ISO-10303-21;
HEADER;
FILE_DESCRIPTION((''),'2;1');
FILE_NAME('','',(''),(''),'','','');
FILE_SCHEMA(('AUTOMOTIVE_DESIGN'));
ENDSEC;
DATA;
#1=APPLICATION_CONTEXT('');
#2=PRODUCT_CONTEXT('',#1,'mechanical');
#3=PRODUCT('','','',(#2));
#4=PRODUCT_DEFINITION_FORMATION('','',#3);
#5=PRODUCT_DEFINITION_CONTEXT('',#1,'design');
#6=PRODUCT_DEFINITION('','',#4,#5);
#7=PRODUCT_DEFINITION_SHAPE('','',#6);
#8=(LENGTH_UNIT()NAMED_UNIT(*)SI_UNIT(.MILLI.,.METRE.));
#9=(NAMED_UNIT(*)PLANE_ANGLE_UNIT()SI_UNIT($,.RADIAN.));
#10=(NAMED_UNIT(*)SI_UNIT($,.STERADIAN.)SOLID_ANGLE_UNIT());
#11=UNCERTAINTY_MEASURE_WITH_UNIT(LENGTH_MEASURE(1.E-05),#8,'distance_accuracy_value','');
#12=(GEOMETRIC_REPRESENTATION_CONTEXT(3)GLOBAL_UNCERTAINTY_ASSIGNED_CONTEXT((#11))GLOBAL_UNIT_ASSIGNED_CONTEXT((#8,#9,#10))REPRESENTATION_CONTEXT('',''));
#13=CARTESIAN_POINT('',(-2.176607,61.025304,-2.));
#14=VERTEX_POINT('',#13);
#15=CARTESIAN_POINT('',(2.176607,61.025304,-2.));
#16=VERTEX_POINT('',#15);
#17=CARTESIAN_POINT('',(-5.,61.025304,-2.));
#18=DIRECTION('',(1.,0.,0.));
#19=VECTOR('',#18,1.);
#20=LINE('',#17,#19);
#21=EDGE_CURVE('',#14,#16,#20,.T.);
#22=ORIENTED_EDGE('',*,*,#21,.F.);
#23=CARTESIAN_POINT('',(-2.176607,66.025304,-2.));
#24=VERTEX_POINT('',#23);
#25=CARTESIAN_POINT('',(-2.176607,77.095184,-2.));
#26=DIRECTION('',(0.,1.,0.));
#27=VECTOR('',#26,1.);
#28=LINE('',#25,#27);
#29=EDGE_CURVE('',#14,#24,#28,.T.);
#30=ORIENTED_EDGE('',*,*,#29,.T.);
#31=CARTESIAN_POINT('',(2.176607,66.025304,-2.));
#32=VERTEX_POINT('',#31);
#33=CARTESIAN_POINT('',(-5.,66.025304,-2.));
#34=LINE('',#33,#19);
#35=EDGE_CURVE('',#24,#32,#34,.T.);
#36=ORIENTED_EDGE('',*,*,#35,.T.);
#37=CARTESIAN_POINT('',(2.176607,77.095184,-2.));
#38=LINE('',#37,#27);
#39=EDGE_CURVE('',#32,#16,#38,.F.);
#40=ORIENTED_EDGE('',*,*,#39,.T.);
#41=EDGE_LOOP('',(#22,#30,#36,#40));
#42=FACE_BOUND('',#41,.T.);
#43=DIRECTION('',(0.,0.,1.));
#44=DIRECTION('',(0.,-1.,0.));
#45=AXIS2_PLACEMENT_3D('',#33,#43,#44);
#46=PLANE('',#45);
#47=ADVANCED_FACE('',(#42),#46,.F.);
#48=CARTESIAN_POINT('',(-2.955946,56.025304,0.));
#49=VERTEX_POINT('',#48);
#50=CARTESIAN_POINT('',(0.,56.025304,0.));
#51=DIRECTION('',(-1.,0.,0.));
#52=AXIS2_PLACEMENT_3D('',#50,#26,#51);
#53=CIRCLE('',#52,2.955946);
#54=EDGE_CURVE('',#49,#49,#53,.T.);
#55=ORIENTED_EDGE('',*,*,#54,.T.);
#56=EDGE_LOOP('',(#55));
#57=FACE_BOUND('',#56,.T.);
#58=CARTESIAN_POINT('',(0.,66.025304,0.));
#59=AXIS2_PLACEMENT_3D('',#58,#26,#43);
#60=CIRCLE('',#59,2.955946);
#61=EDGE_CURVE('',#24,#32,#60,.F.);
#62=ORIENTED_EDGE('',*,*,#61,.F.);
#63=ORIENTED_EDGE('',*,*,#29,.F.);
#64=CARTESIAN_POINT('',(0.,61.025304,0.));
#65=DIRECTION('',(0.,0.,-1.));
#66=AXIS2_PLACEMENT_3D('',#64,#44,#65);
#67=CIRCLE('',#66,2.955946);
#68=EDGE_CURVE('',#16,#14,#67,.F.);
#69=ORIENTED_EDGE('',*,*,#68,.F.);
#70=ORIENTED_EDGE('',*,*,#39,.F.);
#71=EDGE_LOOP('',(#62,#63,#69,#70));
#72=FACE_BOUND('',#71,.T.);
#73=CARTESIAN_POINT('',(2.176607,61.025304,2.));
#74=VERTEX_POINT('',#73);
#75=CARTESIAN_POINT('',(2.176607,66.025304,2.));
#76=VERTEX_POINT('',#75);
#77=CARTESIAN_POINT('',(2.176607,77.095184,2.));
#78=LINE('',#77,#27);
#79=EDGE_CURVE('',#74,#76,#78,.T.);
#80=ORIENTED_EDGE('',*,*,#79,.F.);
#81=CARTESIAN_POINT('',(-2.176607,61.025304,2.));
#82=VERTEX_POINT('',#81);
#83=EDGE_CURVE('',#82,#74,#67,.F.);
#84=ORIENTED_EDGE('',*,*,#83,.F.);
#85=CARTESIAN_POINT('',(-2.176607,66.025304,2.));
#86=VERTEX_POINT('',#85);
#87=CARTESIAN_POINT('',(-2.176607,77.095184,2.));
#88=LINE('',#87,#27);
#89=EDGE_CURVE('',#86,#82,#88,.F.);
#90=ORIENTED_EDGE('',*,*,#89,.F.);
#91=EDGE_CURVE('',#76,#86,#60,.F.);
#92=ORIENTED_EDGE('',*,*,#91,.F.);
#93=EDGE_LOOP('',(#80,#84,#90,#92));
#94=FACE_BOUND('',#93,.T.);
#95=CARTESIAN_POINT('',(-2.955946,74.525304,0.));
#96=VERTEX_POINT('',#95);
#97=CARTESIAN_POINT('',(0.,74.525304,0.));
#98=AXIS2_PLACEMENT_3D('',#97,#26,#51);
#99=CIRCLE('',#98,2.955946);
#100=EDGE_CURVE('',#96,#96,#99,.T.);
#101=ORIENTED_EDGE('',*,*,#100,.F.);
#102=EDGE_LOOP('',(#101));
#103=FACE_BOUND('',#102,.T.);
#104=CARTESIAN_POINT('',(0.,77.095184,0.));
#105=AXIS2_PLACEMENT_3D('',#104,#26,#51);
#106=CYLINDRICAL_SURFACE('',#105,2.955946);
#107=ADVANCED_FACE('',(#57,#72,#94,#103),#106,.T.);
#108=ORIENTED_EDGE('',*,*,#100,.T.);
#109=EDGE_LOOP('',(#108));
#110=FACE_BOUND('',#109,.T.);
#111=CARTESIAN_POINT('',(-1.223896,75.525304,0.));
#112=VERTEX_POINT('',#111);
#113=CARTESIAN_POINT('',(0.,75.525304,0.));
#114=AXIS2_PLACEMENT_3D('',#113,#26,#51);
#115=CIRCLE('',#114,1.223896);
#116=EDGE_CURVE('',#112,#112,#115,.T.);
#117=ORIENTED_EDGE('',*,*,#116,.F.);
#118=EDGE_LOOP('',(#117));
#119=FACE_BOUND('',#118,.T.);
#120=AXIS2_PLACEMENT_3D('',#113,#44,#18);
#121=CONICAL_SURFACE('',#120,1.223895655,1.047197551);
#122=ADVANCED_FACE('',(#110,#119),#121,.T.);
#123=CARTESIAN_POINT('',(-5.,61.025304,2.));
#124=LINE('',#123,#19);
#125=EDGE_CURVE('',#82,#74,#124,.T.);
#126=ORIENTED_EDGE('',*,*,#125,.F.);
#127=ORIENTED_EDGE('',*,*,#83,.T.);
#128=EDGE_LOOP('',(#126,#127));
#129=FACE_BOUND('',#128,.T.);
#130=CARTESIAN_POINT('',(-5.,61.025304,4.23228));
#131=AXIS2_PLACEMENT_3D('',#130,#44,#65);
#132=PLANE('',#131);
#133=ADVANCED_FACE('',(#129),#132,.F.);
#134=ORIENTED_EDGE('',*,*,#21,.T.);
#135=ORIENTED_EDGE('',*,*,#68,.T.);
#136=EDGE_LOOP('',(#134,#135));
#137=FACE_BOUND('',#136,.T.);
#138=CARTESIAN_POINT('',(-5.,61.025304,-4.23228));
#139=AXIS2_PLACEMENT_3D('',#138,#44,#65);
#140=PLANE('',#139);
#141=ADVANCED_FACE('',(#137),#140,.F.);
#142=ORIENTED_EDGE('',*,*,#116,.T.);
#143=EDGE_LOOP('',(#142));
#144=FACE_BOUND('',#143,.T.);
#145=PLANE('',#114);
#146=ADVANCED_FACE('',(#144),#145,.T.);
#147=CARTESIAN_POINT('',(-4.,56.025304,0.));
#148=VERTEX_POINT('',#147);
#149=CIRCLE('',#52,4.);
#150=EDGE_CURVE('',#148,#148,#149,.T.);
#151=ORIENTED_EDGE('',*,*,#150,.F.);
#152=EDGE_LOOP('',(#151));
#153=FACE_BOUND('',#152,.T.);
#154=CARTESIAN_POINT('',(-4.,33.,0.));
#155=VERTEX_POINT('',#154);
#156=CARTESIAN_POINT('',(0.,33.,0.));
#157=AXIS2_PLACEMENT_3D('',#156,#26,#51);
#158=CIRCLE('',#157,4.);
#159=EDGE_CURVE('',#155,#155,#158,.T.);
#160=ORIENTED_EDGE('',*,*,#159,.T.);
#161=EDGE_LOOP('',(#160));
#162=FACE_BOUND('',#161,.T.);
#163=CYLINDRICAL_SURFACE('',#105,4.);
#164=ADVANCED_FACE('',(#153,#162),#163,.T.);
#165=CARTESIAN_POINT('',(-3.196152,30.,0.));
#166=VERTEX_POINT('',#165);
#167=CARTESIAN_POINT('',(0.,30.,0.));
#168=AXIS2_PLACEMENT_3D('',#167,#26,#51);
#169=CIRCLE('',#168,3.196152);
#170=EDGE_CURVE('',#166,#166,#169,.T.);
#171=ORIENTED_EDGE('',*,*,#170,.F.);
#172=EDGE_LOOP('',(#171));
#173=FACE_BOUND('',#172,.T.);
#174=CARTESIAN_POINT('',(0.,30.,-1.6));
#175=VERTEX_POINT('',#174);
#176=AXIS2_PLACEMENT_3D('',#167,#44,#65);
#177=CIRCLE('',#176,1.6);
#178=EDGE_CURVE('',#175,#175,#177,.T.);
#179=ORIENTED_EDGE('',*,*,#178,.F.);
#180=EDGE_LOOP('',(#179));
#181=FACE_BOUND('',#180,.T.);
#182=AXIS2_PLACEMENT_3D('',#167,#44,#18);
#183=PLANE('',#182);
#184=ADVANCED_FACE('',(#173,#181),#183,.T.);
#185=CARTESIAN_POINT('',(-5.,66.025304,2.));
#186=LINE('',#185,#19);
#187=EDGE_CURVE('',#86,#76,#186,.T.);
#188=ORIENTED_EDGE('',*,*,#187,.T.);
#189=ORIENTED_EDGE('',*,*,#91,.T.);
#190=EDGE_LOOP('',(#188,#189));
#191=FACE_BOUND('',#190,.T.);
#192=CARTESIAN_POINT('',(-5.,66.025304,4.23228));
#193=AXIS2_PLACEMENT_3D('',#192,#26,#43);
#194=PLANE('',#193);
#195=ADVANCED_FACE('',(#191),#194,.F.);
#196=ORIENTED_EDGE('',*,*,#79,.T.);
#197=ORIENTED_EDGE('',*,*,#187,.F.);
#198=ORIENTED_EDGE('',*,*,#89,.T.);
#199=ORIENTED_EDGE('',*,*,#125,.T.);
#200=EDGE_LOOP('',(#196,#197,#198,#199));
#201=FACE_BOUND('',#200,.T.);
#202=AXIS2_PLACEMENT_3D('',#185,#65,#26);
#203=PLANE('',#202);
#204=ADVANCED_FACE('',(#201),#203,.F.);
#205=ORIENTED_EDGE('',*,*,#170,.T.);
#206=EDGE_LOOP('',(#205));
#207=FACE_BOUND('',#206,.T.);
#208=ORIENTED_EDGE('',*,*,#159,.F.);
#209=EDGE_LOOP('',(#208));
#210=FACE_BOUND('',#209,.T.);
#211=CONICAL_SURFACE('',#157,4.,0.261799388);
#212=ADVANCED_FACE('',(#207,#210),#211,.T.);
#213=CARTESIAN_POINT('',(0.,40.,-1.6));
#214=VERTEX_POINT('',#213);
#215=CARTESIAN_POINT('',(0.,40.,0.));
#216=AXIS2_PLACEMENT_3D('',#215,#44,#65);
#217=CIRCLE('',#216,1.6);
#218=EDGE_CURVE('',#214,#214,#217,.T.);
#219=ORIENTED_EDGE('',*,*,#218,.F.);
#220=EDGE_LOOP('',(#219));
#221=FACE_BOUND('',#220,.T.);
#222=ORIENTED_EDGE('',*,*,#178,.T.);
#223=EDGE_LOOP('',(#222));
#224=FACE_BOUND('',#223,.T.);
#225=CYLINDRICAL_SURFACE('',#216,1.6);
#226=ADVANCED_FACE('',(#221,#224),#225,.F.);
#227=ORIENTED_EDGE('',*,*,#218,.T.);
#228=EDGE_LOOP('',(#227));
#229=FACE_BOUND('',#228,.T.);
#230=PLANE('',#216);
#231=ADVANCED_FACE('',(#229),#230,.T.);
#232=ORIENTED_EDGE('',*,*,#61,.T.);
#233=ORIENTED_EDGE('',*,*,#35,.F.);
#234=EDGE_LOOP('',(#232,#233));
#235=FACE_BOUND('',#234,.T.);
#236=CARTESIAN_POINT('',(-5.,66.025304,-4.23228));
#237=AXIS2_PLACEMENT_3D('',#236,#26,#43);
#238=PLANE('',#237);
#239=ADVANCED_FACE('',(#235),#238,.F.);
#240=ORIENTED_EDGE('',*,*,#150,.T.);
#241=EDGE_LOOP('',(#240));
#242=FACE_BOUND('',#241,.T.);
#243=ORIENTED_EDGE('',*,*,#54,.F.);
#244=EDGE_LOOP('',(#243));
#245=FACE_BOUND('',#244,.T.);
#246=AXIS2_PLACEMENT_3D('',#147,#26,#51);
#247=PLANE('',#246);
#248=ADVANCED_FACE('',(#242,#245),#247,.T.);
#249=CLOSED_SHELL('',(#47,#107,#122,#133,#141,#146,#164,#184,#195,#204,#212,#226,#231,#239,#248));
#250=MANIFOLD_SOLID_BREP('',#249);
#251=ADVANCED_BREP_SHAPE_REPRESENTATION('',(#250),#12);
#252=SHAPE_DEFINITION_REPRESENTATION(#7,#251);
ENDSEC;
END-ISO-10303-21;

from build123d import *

# Parameters (mm, degrees)
ESQUISSE4_R             = 1.6
ENL_V_MAT_EXTRU_1_DEPTH = 10
ESQUISSE7_W             = 2.232279801
ESQUISSE7_H             = 5
ENL_V_MAT_EXTRU_3_DEPTH = 5


with BuildPart() as part:
    # Esquisse1 → Révolution1 (revolve)
    with BuildSketch(Plane.XY):
        Polygon((0, 30), (-3.196152423, 30), (-4, 33), (-4, 56.025303512), (-2.955946463, 56.025303512), (-2.955946463, 74.525303512), (-1.223895655, 75.525303512), (0, 75.525303512), align=None)
    revolve(axis=Axis((0, 77.095183619, 0), (0, -1, 0)))

    # Esquisse4 → Enlèv. mat.-Extru.1 (cut)
    with BuildSketch(Plane.XZ.offset(-30)):
        Circle(ESQUISSE4_R)
    extrude(amount=-ENL_V_MAT_EXTRU_1_DEPTH, mode=Mode.SUBTRACT)

    # Esquisse7 → Enlèv. mat.-Extru.3 (cut, symmetric)
    with BuildSketch(Plane(origin=(0, 0, 0), x_dir=(0, 0, -1), z_dir=(1, 0, 0))):
        with Locations((-3.116139901, 63.525303512)):
            Rectangle(ESQUISSE7_W, ESQUISSE7_H)
        with Locations((3.116139901, 63.525303512)):
            Rectangle(ESQUISSE7_W, ESQUISSE7_H)
    extrude(amount=ENL_V_MAT_EXTRU_3_DEPTH, both=True, mode=Mode.SUBTRACT)


solid = part.part
